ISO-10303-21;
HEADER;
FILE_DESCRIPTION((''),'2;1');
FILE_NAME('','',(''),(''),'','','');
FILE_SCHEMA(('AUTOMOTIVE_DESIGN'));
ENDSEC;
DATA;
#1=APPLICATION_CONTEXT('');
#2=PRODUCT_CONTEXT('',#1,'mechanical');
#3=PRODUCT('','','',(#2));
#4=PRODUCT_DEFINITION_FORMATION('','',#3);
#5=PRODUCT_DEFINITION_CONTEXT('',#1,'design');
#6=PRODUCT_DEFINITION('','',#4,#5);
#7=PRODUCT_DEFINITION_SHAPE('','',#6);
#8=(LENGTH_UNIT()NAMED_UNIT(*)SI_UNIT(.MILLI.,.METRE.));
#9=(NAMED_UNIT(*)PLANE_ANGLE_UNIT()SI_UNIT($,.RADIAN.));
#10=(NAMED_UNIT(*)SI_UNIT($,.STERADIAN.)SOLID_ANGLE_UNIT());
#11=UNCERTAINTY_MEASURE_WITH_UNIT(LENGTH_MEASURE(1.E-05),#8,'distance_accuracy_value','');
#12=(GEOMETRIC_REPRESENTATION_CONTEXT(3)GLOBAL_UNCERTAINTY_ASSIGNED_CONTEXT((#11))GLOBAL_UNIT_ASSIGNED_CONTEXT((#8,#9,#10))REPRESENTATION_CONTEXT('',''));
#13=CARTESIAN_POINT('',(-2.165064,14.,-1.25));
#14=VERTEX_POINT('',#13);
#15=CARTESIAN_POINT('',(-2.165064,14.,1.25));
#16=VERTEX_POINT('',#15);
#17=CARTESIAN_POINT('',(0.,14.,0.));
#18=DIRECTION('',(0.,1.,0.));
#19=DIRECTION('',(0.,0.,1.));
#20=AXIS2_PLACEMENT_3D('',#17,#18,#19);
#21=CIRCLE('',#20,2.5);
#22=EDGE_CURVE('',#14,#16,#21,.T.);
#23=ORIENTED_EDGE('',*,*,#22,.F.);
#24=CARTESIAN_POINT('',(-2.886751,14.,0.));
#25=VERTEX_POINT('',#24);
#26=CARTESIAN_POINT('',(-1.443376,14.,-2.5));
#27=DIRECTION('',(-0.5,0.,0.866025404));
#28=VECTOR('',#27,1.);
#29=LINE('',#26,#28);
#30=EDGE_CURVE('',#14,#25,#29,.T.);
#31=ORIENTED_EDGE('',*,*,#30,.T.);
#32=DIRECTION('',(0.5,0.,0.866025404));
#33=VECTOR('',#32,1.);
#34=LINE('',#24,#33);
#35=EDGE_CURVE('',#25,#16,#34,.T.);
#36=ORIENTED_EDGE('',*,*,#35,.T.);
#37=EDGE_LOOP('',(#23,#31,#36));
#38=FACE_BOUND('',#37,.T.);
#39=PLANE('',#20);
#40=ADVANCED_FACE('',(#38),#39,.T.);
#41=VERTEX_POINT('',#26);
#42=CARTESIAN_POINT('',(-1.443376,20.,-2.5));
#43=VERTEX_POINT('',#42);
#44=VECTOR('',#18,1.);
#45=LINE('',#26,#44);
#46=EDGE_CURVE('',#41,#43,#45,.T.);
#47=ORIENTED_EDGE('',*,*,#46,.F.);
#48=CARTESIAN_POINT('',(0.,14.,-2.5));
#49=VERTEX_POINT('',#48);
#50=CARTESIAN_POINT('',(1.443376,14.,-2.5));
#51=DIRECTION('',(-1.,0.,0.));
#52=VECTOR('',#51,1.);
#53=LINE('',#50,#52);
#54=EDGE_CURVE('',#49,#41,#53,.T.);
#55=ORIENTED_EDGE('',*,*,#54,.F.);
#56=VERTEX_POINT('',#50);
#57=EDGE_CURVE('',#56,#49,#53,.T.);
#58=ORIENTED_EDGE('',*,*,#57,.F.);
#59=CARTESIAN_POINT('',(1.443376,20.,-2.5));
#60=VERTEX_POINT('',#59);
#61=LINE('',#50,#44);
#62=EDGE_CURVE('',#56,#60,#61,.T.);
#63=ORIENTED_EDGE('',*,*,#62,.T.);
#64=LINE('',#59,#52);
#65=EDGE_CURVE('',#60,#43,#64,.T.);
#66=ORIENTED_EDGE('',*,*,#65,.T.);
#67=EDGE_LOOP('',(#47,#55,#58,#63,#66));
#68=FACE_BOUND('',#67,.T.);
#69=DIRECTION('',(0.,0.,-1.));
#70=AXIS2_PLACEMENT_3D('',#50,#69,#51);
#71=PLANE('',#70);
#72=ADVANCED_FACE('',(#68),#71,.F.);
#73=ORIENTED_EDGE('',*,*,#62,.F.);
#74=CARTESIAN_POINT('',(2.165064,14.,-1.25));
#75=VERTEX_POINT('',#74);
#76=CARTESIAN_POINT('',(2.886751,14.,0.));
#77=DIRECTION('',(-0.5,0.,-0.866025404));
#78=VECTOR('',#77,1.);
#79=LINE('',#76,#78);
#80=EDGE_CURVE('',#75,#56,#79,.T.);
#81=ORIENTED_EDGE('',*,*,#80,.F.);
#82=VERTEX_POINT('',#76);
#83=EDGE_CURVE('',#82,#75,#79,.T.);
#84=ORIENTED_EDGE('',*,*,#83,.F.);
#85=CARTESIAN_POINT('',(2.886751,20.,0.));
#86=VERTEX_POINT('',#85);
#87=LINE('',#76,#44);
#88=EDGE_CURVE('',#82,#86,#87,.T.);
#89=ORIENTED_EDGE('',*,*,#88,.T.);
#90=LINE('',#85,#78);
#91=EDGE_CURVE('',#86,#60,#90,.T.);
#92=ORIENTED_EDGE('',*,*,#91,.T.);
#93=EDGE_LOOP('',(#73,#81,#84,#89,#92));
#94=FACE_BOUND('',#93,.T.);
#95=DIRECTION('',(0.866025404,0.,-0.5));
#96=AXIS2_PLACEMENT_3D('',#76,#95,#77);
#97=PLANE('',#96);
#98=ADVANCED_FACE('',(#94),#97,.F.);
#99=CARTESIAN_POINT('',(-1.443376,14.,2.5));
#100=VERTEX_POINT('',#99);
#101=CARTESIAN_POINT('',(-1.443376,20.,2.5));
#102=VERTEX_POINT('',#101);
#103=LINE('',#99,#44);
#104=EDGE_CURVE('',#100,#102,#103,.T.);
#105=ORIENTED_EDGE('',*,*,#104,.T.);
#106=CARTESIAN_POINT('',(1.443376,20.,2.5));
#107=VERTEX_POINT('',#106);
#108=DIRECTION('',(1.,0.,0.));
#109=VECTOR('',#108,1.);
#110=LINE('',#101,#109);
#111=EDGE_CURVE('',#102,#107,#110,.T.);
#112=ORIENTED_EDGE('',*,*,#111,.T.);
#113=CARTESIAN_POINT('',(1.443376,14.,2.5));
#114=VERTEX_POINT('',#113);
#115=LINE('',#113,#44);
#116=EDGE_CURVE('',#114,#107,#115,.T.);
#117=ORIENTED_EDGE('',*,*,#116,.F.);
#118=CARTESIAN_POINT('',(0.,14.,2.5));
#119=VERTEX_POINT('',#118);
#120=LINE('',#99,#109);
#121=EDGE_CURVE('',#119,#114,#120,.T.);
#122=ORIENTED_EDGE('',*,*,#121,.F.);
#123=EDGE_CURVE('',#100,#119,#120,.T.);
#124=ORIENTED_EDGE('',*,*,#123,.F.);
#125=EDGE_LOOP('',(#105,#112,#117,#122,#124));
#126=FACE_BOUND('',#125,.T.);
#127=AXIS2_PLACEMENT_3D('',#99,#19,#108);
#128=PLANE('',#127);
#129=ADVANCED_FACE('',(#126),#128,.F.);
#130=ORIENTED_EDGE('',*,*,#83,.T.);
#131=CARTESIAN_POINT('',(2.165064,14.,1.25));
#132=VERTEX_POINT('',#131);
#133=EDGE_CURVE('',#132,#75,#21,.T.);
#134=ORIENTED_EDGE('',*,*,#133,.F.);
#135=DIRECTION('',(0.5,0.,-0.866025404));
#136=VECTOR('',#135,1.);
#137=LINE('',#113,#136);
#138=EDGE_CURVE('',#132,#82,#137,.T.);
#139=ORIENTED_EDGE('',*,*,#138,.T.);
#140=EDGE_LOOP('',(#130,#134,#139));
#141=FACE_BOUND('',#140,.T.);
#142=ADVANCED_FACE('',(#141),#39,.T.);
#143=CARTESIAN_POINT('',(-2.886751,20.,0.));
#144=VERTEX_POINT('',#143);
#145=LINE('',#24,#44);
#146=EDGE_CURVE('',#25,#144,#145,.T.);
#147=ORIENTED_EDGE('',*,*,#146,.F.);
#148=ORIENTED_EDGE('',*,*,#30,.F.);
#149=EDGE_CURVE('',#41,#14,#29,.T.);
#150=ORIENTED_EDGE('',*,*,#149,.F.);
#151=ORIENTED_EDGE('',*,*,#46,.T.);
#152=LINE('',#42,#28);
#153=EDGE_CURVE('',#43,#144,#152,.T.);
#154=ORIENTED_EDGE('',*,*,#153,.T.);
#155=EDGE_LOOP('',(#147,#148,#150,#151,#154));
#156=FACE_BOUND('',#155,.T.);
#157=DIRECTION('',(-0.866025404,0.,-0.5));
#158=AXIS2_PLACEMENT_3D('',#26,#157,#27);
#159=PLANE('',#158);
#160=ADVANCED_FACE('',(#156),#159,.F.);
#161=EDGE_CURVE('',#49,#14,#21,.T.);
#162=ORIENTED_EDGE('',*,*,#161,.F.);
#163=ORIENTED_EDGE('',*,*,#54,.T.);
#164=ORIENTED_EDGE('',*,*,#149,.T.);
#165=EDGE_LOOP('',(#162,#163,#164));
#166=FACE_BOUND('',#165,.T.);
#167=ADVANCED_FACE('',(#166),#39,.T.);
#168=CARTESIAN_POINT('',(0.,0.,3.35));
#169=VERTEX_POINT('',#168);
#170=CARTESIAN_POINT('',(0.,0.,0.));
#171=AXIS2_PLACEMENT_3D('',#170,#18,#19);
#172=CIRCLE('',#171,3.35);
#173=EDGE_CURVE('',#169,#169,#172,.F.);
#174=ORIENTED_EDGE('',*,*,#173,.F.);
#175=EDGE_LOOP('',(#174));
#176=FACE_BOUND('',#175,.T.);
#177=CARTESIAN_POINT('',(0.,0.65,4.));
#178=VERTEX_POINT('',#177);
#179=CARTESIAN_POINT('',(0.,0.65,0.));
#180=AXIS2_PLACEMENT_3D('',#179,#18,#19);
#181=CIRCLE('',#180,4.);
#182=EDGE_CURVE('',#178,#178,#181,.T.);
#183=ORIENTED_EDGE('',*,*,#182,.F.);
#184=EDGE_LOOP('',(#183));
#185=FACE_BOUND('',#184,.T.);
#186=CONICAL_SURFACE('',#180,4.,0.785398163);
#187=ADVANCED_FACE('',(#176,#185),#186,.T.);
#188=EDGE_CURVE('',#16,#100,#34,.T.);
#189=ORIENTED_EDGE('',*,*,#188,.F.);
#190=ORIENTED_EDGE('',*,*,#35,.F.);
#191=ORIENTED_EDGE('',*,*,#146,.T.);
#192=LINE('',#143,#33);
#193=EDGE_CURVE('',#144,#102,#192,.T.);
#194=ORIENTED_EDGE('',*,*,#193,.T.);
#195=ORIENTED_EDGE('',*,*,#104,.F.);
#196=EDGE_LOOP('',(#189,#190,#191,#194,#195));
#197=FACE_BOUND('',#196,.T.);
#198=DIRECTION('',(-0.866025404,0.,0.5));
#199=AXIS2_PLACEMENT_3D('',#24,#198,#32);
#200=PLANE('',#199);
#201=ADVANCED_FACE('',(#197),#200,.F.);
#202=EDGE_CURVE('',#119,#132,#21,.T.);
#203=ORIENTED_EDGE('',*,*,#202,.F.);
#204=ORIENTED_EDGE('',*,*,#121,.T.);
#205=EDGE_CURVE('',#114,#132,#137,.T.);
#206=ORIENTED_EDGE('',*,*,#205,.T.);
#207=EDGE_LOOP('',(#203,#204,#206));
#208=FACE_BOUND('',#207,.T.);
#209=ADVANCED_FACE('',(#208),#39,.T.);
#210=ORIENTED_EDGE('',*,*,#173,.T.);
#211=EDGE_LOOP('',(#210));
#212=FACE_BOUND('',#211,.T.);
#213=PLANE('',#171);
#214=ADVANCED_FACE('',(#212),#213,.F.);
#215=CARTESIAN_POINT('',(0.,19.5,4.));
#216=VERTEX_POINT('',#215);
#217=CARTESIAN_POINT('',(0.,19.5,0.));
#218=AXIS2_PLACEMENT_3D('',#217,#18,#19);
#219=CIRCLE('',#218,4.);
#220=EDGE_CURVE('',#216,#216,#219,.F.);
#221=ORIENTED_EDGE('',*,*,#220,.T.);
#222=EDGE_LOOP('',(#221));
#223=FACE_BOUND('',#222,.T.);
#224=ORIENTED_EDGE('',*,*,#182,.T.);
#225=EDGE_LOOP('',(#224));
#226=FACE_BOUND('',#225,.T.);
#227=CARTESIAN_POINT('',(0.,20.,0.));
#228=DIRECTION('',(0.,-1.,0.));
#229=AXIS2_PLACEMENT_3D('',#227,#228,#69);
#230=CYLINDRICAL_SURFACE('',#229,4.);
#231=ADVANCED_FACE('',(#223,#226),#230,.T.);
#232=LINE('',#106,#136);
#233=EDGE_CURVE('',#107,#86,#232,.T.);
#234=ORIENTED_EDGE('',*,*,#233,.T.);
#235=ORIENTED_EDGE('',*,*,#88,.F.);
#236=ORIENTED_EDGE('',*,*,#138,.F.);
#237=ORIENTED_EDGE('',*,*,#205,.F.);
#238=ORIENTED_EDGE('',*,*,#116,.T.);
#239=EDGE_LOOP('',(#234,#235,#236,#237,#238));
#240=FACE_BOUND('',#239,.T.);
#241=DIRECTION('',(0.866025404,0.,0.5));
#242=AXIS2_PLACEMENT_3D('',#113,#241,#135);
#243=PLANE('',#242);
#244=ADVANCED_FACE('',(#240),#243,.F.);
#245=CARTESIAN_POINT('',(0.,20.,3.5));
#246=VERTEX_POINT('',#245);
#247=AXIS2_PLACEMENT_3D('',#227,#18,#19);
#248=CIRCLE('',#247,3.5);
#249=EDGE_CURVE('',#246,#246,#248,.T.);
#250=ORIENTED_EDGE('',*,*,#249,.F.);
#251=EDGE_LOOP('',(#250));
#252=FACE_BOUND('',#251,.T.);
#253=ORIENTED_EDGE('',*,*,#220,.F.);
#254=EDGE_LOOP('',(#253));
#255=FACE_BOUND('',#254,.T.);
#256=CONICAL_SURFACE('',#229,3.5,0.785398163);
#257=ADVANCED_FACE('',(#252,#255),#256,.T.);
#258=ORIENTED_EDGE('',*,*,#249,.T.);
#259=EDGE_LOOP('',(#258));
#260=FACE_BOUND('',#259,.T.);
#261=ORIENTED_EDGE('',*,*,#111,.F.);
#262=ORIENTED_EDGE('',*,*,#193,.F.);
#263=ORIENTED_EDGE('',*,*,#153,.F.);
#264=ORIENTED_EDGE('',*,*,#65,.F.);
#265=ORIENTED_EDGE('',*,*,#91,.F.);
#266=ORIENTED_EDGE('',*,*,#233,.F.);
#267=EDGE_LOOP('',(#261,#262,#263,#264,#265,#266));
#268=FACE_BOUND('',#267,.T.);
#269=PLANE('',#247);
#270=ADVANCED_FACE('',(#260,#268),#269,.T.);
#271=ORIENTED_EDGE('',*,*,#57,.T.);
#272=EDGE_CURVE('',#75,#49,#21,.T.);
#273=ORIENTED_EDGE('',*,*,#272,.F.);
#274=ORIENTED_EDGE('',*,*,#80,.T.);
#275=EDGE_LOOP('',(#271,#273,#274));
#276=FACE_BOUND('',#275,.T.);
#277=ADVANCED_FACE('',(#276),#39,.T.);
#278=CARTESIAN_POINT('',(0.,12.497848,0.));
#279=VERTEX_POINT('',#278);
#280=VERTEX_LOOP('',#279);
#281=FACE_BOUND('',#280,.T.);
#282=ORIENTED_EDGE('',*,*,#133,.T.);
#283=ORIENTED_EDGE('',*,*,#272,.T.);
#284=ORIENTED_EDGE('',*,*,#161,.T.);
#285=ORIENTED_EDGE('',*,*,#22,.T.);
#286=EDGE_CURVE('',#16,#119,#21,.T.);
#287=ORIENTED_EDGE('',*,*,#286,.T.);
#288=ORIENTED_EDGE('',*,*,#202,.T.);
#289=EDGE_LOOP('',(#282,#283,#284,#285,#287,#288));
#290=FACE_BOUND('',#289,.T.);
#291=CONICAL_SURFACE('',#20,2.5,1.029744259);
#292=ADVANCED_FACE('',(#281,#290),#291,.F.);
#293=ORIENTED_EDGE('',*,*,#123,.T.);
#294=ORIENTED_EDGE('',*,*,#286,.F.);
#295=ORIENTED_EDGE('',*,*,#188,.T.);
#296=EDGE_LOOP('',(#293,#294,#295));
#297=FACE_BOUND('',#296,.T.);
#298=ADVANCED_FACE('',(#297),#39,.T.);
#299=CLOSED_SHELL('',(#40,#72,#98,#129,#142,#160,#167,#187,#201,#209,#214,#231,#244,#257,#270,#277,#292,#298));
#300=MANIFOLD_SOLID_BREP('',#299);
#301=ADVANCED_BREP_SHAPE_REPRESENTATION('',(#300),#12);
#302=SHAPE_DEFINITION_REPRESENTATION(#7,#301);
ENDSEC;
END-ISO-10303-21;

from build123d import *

# Parameters (mm, degrees)
SKETCH1_R                 = 4
BOSS_EXTRUDE1_DEPTH       = 20
F_5_0MM_DOWEL_HOLE1_D     = 5
F_5_0MM_DOWEL_HOLE1_DEPTH = 6
F_5_0MM_DOWEL_HOLE1_TIP   = 1.502151548
CUT_EXTRUDE1_DEPTH        = 6
CHAMFER1_SIZE             = 0.5
CHAMFER2_SIZE             = 0.65


with BuildPart() as part:
    # Sketch1 → Boss-Extrude1 (new body)
    with BuildSketch(Plane(origin=(0, 0, 0), x_dir=(1, 0, 0), z_dir=(0, 1, 0))):
        Circle(SKETCH1_R)
    extrude(amount=BOSS_EXTRUDE1_DEPTH)

    # Ø5.0mm Dowel Hole1
    with Locations(Plane(origin=(0, 20, 0), x_dir=(1, 0, 0), z_dir=(0, 1, 0))):
        with Locations((0, 0)):
            Hole(F_5_0MM_DOWEL_HOLE1_D / 2, depth=F_5_0MM_DOWEL_HOLE1_DEPTH)
            with Locations((0, 0, -(F_5_0MM_DOWEL_HOLE1_DEPTH + F_5_0MM_DOWEL_HOLE1_TIP / 2))):  # 118° drill point
                Cone(0, F_5_0MM_DOWEL_HOLE1_D / 2, F_5_0MM_DOWEL_HOLE1_TIP, mode=Mode.SUBTRACT)

    # Sketch2 → Cut-Extrude1 (cut)
    with BuildSketch(Plane(origin=(0, 20, 0), x_dir=(1, 0, 0), z_dir=(0, 1, 0))):
        Polygon((2.886751346, 0), (1.443375673, 2.5), (-1.443375673, 2.5), (-2.886751346, 0), (-1.443375673, -2.5), (1.443375673, -2.5), align=None)
    extrude(amount=-CUT_EXTRUDE1_DEPTH, mode=Mode.SUBTRACT)

    # Chamfer1
    chamfer1_edges = [part.edges().sort_by_distance(p)[0] for p in [
        (-4, 20, 0),
    ]]
    chamfer(chamfer1_edges, length=CHAMFER1_SIZE)

    # Chamfer2
    chamfer2_edges = [part.edges().sort_by_distance(p)[0] for p in [
        (-4, 0, 0),
    ]]
    chamfer(chamfer2_edges, length=CHAMFER2_SIZE)


solid = part.part
